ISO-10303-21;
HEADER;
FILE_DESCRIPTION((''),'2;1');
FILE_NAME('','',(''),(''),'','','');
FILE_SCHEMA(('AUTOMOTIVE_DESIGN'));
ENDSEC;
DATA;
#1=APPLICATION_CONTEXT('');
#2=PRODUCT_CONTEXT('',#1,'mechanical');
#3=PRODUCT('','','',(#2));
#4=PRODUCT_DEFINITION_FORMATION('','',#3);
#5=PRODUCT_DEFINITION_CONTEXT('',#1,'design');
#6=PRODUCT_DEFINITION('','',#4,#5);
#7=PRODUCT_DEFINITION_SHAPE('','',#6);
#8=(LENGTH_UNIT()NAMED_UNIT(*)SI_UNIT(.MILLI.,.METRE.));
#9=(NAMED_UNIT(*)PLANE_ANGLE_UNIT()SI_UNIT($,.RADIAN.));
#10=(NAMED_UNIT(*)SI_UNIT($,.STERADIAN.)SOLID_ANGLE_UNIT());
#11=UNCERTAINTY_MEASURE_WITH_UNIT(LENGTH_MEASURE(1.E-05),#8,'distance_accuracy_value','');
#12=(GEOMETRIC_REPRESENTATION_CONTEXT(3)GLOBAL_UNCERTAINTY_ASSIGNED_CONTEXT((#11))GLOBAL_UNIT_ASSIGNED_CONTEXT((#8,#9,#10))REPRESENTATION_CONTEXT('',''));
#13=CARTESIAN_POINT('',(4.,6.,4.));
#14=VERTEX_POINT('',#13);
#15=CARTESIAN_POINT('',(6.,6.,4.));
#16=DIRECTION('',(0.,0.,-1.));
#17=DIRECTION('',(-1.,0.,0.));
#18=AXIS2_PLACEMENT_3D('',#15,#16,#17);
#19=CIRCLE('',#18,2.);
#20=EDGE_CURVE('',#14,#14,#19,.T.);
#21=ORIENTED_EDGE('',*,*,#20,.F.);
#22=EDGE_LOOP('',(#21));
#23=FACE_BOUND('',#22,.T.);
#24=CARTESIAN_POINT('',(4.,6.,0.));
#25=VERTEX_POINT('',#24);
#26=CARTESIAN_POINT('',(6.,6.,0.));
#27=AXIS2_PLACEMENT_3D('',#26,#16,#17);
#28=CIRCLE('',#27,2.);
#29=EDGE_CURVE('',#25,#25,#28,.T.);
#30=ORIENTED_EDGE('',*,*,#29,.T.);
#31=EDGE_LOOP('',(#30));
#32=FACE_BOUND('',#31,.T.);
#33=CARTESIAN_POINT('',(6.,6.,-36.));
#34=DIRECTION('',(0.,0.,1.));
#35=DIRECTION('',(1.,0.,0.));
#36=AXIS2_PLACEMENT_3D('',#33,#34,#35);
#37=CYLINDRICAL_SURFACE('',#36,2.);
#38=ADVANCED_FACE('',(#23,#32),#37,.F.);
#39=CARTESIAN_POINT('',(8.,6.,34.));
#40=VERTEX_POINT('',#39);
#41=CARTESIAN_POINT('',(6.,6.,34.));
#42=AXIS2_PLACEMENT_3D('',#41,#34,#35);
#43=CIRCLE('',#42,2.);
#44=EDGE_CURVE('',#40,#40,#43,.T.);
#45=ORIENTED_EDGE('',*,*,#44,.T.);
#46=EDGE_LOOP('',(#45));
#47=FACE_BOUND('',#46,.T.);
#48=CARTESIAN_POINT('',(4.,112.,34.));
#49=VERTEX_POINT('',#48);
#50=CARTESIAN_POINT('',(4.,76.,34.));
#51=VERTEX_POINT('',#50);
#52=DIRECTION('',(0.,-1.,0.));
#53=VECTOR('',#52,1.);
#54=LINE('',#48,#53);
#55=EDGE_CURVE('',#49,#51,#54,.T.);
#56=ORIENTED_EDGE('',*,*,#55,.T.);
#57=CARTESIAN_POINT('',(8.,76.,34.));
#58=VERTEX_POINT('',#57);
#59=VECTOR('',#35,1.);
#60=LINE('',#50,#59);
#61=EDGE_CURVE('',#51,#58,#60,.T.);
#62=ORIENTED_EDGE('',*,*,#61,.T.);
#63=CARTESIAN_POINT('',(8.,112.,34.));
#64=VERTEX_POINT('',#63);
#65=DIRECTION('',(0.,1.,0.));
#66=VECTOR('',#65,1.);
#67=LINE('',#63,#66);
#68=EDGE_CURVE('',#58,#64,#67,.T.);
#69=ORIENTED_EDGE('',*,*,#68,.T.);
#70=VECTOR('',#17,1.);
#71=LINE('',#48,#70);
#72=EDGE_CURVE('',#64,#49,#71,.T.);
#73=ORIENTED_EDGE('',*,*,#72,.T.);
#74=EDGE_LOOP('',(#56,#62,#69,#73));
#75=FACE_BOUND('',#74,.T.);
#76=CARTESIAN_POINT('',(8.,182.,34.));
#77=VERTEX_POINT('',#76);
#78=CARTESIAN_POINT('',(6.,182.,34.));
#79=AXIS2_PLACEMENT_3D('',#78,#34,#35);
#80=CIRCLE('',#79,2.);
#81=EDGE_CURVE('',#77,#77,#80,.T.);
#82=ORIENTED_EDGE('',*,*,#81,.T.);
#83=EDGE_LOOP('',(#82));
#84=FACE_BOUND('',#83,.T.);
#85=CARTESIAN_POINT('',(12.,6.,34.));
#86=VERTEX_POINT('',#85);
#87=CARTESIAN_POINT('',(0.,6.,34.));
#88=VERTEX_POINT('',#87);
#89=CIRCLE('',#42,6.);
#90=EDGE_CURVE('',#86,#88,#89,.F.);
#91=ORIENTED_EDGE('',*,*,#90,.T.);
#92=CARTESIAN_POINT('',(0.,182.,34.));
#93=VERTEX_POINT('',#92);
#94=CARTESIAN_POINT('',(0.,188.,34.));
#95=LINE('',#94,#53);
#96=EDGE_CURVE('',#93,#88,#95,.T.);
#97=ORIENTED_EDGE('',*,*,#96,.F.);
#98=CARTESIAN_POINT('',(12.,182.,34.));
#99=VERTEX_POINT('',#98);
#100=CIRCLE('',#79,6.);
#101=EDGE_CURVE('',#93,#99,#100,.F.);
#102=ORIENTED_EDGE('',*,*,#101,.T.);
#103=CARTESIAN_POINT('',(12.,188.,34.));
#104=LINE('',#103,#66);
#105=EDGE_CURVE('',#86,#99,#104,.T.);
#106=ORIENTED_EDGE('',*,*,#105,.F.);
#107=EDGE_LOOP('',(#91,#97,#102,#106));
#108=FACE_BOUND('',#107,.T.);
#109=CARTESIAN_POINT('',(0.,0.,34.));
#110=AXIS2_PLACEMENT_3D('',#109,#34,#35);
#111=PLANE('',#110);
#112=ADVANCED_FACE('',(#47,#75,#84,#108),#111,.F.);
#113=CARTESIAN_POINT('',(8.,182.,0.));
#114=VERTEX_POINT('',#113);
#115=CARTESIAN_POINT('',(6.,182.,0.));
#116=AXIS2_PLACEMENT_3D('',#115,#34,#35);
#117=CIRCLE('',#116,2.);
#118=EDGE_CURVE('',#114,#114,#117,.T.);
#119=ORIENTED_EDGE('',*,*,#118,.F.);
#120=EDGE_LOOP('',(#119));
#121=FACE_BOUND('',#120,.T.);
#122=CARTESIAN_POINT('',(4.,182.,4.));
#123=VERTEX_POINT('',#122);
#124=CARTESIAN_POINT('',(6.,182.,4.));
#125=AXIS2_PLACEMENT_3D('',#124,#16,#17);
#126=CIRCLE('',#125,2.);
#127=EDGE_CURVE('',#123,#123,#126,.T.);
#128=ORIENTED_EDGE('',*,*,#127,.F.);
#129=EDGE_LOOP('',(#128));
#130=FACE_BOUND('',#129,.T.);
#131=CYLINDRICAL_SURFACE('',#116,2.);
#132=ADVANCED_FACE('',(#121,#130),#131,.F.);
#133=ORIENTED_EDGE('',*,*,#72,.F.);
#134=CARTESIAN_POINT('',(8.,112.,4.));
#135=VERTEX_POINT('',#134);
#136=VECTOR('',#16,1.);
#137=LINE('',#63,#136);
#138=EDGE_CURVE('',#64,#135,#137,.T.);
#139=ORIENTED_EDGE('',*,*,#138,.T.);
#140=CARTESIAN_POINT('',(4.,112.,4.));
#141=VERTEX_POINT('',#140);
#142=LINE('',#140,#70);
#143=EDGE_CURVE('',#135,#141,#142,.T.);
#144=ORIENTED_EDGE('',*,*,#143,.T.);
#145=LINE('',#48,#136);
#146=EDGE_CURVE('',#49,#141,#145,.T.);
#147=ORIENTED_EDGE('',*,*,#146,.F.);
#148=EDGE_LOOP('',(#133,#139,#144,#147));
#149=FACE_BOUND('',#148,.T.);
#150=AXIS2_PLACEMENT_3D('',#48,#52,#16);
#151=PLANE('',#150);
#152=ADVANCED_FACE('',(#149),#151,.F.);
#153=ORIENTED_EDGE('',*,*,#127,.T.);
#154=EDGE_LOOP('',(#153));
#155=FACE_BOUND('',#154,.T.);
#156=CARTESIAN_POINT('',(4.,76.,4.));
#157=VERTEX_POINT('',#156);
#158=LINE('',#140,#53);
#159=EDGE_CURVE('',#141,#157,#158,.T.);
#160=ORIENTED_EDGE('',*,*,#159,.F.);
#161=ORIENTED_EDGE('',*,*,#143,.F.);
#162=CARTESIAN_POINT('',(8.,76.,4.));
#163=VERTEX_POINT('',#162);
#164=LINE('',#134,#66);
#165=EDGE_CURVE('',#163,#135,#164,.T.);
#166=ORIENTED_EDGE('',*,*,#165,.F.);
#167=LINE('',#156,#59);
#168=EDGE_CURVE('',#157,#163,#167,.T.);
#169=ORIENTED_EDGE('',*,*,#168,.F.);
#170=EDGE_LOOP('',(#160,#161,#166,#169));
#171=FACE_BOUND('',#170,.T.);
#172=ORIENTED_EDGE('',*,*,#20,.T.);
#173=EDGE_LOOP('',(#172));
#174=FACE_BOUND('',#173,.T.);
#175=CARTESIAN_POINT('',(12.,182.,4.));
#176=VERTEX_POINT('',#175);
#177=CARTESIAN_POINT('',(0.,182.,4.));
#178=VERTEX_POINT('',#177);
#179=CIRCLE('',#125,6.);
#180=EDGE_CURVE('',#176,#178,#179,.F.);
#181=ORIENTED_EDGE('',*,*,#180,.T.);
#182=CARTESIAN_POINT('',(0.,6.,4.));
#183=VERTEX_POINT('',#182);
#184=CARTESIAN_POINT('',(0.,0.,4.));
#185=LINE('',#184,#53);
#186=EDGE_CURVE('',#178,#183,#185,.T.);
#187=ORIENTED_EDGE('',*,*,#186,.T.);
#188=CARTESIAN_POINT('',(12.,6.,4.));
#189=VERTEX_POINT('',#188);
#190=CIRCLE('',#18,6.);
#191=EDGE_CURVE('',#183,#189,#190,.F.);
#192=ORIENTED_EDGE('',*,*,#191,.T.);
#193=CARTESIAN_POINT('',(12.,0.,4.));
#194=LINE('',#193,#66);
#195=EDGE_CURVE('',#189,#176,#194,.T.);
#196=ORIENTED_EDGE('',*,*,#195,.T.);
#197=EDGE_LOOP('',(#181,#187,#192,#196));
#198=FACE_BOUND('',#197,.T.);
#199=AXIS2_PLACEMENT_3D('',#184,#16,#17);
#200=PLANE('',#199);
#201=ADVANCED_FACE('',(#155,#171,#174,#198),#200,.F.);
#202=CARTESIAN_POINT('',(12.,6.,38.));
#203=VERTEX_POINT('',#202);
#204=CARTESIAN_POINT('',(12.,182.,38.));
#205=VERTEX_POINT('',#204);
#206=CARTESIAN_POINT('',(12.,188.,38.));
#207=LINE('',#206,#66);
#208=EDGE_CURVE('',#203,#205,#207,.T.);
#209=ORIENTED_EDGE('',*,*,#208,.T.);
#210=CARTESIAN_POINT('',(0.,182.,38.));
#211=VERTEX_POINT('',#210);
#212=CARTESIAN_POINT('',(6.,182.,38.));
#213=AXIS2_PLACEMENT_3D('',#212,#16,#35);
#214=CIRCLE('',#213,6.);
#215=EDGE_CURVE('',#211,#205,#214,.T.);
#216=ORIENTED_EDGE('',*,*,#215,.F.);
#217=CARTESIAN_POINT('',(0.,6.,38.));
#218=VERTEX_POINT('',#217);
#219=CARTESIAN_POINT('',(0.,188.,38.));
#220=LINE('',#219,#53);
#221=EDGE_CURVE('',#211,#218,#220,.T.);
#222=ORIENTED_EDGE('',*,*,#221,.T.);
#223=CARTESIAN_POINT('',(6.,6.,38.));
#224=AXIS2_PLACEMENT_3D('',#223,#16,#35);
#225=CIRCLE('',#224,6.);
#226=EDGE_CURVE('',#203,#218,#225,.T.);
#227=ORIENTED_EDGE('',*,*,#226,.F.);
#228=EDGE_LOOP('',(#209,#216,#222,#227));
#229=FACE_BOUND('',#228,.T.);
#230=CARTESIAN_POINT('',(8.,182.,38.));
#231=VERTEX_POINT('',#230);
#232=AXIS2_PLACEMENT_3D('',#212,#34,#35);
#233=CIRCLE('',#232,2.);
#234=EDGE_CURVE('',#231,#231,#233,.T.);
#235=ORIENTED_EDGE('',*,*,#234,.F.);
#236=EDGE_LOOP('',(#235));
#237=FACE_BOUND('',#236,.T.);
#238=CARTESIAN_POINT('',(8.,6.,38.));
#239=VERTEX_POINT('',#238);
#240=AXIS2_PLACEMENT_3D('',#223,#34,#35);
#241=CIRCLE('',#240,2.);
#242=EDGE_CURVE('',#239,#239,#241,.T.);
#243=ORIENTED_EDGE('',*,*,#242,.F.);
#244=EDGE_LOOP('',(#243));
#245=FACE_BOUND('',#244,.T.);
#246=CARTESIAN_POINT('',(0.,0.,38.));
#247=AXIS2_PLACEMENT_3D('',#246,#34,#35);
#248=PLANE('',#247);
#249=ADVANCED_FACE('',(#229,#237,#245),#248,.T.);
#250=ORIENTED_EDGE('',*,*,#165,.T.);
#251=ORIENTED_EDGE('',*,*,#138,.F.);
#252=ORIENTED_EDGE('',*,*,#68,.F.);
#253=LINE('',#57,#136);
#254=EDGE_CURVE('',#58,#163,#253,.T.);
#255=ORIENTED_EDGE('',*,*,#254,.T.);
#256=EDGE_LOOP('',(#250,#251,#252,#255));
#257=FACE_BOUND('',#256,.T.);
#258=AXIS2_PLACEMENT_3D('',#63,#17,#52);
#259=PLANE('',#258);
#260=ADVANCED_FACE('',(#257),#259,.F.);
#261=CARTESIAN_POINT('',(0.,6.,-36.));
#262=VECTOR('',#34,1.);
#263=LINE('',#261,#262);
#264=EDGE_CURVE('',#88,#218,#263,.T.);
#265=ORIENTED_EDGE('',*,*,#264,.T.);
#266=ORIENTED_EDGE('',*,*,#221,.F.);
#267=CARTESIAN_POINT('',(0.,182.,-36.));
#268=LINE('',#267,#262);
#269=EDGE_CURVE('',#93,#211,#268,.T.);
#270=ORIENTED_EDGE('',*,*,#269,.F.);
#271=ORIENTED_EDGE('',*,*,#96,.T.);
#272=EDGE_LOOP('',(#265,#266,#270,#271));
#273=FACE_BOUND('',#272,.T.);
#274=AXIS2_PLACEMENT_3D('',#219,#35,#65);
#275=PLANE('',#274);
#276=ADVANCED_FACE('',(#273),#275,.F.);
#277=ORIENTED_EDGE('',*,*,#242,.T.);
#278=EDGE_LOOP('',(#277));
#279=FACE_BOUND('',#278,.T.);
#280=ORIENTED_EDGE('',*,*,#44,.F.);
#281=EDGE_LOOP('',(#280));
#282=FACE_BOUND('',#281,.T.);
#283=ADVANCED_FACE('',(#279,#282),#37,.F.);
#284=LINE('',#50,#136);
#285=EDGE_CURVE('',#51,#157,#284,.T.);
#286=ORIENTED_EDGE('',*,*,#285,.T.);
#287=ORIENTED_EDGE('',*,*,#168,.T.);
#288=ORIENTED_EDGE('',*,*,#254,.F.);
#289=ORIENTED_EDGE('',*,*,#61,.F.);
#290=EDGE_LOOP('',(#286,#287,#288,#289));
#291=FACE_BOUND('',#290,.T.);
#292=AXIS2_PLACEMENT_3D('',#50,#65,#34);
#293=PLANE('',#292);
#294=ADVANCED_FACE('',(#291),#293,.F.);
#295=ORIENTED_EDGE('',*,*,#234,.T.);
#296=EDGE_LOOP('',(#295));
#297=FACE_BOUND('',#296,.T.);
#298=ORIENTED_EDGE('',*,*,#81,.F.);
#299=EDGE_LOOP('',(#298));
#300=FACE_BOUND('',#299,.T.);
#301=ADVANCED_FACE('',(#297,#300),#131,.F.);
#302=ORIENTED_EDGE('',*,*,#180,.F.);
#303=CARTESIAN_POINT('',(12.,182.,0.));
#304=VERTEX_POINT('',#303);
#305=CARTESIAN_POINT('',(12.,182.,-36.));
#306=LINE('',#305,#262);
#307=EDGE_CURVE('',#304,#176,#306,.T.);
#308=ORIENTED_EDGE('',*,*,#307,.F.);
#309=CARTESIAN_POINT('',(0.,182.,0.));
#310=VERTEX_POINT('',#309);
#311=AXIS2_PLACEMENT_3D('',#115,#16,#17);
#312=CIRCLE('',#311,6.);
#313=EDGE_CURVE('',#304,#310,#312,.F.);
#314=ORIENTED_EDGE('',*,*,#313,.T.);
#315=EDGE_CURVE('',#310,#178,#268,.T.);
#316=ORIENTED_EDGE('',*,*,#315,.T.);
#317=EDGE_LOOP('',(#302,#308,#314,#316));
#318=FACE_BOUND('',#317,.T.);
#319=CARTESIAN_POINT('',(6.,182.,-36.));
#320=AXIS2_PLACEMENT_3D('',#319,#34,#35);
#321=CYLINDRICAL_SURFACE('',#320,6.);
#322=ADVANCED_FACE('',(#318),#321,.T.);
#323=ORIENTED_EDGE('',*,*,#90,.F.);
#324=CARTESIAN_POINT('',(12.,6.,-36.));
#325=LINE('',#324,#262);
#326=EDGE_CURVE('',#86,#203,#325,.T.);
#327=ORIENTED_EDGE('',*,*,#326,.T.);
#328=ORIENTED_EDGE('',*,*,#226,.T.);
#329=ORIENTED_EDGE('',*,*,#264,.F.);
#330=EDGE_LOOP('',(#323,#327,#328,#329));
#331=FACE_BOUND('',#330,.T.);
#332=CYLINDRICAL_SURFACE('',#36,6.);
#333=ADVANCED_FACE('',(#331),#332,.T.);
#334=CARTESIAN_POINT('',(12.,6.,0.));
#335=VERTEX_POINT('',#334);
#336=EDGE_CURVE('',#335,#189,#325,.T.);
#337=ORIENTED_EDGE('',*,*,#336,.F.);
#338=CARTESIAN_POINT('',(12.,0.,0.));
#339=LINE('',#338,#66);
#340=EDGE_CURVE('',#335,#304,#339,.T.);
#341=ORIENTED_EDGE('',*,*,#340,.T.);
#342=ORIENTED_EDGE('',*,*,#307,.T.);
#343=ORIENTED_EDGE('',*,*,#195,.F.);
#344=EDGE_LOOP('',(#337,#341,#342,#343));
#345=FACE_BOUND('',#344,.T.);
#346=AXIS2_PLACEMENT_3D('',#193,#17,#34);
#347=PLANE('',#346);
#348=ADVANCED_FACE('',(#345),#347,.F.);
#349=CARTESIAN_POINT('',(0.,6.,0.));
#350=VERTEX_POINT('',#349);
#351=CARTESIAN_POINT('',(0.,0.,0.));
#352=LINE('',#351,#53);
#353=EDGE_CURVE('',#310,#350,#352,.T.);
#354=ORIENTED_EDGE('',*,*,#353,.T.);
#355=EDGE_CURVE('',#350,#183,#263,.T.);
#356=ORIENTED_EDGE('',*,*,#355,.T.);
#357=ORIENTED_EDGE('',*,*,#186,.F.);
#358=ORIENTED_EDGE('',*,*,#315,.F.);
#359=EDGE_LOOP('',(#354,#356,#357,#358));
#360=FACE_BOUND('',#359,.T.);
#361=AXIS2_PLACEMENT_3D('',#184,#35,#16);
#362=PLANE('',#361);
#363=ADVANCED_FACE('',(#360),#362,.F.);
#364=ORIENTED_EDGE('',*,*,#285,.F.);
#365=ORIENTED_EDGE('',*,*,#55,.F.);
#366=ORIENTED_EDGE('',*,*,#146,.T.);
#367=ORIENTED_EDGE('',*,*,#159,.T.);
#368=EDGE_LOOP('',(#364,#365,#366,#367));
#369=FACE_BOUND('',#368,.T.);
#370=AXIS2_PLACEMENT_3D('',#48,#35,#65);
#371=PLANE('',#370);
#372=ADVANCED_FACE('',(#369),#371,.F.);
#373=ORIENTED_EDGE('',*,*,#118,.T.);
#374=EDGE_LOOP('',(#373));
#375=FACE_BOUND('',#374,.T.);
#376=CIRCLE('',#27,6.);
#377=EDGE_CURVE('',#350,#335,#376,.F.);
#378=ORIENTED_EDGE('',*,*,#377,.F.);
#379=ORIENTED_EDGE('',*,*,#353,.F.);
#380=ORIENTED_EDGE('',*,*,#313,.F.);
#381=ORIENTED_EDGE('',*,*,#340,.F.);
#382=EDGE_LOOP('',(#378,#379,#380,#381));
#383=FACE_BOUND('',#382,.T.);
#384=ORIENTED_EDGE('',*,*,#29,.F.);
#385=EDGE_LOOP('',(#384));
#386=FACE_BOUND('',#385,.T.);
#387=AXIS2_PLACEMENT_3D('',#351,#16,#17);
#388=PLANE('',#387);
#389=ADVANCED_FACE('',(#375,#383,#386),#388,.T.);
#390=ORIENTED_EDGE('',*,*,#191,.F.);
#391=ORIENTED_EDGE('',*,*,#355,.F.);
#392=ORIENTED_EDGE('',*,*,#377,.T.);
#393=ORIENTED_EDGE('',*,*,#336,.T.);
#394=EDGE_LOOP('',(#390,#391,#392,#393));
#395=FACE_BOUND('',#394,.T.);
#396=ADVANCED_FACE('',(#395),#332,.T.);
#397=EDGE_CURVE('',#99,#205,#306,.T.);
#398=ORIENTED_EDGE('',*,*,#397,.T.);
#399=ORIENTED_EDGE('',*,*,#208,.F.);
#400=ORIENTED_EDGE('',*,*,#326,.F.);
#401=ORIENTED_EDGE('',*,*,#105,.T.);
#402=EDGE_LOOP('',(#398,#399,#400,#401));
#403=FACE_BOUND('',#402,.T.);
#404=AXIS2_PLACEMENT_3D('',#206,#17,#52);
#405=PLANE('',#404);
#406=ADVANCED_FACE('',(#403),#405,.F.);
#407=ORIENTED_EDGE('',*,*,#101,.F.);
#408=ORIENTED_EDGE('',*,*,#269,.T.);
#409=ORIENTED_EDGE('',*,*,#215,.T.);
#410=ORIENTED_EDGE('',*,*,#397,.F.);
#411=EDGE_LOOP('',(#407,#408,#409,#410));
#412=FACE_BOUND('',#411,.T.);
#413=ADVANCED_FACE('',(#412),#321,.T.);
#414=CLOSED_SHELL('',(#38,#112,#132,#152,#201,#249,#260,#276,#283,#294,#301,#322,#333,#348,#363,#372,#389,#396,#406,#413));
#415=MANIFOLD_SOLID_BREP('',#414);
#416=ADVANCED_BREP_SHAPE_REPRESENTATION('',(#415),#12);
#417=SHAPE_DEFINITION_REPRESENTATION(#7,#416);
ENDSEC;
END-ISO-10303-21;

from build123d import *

# Parameters (mm, degrees)
ESQUISSE1_W             = 12
ESQUISSE1_H             = 188
BOSS_EXTRU_1_DEPTH      = 4
ESQUISSE2_R             = 2
BOSS_EXTRU_2_DEPTH      = 30
ESQUISSE3_W             = 12
ESQUISSE3_H             = 188
BOSS_EXTRU_3_DEPTH      = 4
ENL_V_MAT_EXTRU_1_DEPTH = 74
ENL_V_MAT_EXTRU_2_DEPTH = 74
ENL_V_START             = -74
ESQUISSE6_R             = 2
ENL_V_MAT_EXTRU_3_DEPTH = 74
ESQUISSE8_W             = 4
ESQUISSE8_H             = 36
BOSS_EXTRU_4_DEPTH      = 30
ESQUISSE7_R             = 2
ENL_V_MAT_EXTRU_6_DEPTH = 193.177001746


with BuildPart() as part:
    # Esquisse1 → Boss.-Extru.1 (new body)
    with BuildSketch(Plane.XY):
        with Locations((6, 94)):
            Rectangle(ESQUISSE1_W, ESQUISSE1_H)
    extrude(amount=BOSS_EXTRU_1_DEPTH)

    # Esquisse2 → Boss.-Extru.2 (add)
    with BuildSketch(Plane.XY.offset(4)):
        with Locations(Location((6, 182, 0), (0, 0, 180))):
            Circle(ESQUISSE2_R)
        with Locations(Location((6, 6, 0), (0, 0, 180))):
            Circle(ESQUISSE2_R)
    extrude(amount=BOSS_EXTRU_2_DEPTH)

    # Esquisse3 → Boss.-Extru.3 (add)
    with BuildSketch(Plane.XY.offset(34)):
        with Locations((6, 94)):
            Rectangle(ESQUISSE3_W, ESQUISSE3_H)
    extrude(amount=BOSS_EXTRU_3_DEPTH)

    # Esquisse4 → Enlèv. mat.-Extru.1 (cut)
    with BuildSketch(Plane.XY.offset(38)):
        with BuildLine():
            Line((0, 182), (0, 193.947131368))
            Line((0, 193.947131368), (12, 193.947131368))
            Line((12, 193.947131368), (12, 182))
            ThreePointArc((12, 182), (6, 188), (0, 182))
        make_face()
    extrude(amount=-ENL_V_MAT_EXTRU_1_DEPTH, mode=Mode.SUBTRACT)

    # Esquisse5 → Enlèv. mat.-Extru.2 (cut)
    with BuildSketch(Plane.XY.offset(38)):
        with BuildLine():
            Line((12, 6), (12, -5.88895182))
            Line((12, -5.88895182), (0, -5.88895182))
            Line((0, -5.88895182), (0, 6))
            ThreePointArc((0, 6), (6, 0), (12, 6))
        make_face()
    extrude(amount=-ENL_V_MAT_EXTRU_2_DEPTH, mode=Mode.SUBTRACT)

    # Esquisse6 → Enlèv. mat.-Extru.3 (cut)
    with BuildSketch(Plane.XY.offset(38).offset(ENL_V_START)):
        with Locations((6, 6)):
            Circle(ESQUISSE6_R)
    extrude(amount=ENL_V_MAT_EXTRU_3_DEPTH, mode=Mode.SUBTRACT)

    # Esquisse8 → Boss.-Extru.4 (add)
    with BuildSketch(Plane.XY.offset(4)):
        with Locations((6, 94)):
            Rectangle(ESQUISSE8_W, ESQUISSE8_H)
    extrude(amount=BOSS_EXTRU_4_DEPTH)

    # Esquisse7 → Enlèv. mat.-Extru.6 (cut, through all)
    with BuildSketch(Plane.XY.offset(38)):
        with Locations((6, 182)):
            Circle(ESQUISSE7_R)
    extrude(amount=-ENL_V_MAT_EXTRU_6_DEPTH, mode=Mode.SUBTRACT)


solid = part.part
